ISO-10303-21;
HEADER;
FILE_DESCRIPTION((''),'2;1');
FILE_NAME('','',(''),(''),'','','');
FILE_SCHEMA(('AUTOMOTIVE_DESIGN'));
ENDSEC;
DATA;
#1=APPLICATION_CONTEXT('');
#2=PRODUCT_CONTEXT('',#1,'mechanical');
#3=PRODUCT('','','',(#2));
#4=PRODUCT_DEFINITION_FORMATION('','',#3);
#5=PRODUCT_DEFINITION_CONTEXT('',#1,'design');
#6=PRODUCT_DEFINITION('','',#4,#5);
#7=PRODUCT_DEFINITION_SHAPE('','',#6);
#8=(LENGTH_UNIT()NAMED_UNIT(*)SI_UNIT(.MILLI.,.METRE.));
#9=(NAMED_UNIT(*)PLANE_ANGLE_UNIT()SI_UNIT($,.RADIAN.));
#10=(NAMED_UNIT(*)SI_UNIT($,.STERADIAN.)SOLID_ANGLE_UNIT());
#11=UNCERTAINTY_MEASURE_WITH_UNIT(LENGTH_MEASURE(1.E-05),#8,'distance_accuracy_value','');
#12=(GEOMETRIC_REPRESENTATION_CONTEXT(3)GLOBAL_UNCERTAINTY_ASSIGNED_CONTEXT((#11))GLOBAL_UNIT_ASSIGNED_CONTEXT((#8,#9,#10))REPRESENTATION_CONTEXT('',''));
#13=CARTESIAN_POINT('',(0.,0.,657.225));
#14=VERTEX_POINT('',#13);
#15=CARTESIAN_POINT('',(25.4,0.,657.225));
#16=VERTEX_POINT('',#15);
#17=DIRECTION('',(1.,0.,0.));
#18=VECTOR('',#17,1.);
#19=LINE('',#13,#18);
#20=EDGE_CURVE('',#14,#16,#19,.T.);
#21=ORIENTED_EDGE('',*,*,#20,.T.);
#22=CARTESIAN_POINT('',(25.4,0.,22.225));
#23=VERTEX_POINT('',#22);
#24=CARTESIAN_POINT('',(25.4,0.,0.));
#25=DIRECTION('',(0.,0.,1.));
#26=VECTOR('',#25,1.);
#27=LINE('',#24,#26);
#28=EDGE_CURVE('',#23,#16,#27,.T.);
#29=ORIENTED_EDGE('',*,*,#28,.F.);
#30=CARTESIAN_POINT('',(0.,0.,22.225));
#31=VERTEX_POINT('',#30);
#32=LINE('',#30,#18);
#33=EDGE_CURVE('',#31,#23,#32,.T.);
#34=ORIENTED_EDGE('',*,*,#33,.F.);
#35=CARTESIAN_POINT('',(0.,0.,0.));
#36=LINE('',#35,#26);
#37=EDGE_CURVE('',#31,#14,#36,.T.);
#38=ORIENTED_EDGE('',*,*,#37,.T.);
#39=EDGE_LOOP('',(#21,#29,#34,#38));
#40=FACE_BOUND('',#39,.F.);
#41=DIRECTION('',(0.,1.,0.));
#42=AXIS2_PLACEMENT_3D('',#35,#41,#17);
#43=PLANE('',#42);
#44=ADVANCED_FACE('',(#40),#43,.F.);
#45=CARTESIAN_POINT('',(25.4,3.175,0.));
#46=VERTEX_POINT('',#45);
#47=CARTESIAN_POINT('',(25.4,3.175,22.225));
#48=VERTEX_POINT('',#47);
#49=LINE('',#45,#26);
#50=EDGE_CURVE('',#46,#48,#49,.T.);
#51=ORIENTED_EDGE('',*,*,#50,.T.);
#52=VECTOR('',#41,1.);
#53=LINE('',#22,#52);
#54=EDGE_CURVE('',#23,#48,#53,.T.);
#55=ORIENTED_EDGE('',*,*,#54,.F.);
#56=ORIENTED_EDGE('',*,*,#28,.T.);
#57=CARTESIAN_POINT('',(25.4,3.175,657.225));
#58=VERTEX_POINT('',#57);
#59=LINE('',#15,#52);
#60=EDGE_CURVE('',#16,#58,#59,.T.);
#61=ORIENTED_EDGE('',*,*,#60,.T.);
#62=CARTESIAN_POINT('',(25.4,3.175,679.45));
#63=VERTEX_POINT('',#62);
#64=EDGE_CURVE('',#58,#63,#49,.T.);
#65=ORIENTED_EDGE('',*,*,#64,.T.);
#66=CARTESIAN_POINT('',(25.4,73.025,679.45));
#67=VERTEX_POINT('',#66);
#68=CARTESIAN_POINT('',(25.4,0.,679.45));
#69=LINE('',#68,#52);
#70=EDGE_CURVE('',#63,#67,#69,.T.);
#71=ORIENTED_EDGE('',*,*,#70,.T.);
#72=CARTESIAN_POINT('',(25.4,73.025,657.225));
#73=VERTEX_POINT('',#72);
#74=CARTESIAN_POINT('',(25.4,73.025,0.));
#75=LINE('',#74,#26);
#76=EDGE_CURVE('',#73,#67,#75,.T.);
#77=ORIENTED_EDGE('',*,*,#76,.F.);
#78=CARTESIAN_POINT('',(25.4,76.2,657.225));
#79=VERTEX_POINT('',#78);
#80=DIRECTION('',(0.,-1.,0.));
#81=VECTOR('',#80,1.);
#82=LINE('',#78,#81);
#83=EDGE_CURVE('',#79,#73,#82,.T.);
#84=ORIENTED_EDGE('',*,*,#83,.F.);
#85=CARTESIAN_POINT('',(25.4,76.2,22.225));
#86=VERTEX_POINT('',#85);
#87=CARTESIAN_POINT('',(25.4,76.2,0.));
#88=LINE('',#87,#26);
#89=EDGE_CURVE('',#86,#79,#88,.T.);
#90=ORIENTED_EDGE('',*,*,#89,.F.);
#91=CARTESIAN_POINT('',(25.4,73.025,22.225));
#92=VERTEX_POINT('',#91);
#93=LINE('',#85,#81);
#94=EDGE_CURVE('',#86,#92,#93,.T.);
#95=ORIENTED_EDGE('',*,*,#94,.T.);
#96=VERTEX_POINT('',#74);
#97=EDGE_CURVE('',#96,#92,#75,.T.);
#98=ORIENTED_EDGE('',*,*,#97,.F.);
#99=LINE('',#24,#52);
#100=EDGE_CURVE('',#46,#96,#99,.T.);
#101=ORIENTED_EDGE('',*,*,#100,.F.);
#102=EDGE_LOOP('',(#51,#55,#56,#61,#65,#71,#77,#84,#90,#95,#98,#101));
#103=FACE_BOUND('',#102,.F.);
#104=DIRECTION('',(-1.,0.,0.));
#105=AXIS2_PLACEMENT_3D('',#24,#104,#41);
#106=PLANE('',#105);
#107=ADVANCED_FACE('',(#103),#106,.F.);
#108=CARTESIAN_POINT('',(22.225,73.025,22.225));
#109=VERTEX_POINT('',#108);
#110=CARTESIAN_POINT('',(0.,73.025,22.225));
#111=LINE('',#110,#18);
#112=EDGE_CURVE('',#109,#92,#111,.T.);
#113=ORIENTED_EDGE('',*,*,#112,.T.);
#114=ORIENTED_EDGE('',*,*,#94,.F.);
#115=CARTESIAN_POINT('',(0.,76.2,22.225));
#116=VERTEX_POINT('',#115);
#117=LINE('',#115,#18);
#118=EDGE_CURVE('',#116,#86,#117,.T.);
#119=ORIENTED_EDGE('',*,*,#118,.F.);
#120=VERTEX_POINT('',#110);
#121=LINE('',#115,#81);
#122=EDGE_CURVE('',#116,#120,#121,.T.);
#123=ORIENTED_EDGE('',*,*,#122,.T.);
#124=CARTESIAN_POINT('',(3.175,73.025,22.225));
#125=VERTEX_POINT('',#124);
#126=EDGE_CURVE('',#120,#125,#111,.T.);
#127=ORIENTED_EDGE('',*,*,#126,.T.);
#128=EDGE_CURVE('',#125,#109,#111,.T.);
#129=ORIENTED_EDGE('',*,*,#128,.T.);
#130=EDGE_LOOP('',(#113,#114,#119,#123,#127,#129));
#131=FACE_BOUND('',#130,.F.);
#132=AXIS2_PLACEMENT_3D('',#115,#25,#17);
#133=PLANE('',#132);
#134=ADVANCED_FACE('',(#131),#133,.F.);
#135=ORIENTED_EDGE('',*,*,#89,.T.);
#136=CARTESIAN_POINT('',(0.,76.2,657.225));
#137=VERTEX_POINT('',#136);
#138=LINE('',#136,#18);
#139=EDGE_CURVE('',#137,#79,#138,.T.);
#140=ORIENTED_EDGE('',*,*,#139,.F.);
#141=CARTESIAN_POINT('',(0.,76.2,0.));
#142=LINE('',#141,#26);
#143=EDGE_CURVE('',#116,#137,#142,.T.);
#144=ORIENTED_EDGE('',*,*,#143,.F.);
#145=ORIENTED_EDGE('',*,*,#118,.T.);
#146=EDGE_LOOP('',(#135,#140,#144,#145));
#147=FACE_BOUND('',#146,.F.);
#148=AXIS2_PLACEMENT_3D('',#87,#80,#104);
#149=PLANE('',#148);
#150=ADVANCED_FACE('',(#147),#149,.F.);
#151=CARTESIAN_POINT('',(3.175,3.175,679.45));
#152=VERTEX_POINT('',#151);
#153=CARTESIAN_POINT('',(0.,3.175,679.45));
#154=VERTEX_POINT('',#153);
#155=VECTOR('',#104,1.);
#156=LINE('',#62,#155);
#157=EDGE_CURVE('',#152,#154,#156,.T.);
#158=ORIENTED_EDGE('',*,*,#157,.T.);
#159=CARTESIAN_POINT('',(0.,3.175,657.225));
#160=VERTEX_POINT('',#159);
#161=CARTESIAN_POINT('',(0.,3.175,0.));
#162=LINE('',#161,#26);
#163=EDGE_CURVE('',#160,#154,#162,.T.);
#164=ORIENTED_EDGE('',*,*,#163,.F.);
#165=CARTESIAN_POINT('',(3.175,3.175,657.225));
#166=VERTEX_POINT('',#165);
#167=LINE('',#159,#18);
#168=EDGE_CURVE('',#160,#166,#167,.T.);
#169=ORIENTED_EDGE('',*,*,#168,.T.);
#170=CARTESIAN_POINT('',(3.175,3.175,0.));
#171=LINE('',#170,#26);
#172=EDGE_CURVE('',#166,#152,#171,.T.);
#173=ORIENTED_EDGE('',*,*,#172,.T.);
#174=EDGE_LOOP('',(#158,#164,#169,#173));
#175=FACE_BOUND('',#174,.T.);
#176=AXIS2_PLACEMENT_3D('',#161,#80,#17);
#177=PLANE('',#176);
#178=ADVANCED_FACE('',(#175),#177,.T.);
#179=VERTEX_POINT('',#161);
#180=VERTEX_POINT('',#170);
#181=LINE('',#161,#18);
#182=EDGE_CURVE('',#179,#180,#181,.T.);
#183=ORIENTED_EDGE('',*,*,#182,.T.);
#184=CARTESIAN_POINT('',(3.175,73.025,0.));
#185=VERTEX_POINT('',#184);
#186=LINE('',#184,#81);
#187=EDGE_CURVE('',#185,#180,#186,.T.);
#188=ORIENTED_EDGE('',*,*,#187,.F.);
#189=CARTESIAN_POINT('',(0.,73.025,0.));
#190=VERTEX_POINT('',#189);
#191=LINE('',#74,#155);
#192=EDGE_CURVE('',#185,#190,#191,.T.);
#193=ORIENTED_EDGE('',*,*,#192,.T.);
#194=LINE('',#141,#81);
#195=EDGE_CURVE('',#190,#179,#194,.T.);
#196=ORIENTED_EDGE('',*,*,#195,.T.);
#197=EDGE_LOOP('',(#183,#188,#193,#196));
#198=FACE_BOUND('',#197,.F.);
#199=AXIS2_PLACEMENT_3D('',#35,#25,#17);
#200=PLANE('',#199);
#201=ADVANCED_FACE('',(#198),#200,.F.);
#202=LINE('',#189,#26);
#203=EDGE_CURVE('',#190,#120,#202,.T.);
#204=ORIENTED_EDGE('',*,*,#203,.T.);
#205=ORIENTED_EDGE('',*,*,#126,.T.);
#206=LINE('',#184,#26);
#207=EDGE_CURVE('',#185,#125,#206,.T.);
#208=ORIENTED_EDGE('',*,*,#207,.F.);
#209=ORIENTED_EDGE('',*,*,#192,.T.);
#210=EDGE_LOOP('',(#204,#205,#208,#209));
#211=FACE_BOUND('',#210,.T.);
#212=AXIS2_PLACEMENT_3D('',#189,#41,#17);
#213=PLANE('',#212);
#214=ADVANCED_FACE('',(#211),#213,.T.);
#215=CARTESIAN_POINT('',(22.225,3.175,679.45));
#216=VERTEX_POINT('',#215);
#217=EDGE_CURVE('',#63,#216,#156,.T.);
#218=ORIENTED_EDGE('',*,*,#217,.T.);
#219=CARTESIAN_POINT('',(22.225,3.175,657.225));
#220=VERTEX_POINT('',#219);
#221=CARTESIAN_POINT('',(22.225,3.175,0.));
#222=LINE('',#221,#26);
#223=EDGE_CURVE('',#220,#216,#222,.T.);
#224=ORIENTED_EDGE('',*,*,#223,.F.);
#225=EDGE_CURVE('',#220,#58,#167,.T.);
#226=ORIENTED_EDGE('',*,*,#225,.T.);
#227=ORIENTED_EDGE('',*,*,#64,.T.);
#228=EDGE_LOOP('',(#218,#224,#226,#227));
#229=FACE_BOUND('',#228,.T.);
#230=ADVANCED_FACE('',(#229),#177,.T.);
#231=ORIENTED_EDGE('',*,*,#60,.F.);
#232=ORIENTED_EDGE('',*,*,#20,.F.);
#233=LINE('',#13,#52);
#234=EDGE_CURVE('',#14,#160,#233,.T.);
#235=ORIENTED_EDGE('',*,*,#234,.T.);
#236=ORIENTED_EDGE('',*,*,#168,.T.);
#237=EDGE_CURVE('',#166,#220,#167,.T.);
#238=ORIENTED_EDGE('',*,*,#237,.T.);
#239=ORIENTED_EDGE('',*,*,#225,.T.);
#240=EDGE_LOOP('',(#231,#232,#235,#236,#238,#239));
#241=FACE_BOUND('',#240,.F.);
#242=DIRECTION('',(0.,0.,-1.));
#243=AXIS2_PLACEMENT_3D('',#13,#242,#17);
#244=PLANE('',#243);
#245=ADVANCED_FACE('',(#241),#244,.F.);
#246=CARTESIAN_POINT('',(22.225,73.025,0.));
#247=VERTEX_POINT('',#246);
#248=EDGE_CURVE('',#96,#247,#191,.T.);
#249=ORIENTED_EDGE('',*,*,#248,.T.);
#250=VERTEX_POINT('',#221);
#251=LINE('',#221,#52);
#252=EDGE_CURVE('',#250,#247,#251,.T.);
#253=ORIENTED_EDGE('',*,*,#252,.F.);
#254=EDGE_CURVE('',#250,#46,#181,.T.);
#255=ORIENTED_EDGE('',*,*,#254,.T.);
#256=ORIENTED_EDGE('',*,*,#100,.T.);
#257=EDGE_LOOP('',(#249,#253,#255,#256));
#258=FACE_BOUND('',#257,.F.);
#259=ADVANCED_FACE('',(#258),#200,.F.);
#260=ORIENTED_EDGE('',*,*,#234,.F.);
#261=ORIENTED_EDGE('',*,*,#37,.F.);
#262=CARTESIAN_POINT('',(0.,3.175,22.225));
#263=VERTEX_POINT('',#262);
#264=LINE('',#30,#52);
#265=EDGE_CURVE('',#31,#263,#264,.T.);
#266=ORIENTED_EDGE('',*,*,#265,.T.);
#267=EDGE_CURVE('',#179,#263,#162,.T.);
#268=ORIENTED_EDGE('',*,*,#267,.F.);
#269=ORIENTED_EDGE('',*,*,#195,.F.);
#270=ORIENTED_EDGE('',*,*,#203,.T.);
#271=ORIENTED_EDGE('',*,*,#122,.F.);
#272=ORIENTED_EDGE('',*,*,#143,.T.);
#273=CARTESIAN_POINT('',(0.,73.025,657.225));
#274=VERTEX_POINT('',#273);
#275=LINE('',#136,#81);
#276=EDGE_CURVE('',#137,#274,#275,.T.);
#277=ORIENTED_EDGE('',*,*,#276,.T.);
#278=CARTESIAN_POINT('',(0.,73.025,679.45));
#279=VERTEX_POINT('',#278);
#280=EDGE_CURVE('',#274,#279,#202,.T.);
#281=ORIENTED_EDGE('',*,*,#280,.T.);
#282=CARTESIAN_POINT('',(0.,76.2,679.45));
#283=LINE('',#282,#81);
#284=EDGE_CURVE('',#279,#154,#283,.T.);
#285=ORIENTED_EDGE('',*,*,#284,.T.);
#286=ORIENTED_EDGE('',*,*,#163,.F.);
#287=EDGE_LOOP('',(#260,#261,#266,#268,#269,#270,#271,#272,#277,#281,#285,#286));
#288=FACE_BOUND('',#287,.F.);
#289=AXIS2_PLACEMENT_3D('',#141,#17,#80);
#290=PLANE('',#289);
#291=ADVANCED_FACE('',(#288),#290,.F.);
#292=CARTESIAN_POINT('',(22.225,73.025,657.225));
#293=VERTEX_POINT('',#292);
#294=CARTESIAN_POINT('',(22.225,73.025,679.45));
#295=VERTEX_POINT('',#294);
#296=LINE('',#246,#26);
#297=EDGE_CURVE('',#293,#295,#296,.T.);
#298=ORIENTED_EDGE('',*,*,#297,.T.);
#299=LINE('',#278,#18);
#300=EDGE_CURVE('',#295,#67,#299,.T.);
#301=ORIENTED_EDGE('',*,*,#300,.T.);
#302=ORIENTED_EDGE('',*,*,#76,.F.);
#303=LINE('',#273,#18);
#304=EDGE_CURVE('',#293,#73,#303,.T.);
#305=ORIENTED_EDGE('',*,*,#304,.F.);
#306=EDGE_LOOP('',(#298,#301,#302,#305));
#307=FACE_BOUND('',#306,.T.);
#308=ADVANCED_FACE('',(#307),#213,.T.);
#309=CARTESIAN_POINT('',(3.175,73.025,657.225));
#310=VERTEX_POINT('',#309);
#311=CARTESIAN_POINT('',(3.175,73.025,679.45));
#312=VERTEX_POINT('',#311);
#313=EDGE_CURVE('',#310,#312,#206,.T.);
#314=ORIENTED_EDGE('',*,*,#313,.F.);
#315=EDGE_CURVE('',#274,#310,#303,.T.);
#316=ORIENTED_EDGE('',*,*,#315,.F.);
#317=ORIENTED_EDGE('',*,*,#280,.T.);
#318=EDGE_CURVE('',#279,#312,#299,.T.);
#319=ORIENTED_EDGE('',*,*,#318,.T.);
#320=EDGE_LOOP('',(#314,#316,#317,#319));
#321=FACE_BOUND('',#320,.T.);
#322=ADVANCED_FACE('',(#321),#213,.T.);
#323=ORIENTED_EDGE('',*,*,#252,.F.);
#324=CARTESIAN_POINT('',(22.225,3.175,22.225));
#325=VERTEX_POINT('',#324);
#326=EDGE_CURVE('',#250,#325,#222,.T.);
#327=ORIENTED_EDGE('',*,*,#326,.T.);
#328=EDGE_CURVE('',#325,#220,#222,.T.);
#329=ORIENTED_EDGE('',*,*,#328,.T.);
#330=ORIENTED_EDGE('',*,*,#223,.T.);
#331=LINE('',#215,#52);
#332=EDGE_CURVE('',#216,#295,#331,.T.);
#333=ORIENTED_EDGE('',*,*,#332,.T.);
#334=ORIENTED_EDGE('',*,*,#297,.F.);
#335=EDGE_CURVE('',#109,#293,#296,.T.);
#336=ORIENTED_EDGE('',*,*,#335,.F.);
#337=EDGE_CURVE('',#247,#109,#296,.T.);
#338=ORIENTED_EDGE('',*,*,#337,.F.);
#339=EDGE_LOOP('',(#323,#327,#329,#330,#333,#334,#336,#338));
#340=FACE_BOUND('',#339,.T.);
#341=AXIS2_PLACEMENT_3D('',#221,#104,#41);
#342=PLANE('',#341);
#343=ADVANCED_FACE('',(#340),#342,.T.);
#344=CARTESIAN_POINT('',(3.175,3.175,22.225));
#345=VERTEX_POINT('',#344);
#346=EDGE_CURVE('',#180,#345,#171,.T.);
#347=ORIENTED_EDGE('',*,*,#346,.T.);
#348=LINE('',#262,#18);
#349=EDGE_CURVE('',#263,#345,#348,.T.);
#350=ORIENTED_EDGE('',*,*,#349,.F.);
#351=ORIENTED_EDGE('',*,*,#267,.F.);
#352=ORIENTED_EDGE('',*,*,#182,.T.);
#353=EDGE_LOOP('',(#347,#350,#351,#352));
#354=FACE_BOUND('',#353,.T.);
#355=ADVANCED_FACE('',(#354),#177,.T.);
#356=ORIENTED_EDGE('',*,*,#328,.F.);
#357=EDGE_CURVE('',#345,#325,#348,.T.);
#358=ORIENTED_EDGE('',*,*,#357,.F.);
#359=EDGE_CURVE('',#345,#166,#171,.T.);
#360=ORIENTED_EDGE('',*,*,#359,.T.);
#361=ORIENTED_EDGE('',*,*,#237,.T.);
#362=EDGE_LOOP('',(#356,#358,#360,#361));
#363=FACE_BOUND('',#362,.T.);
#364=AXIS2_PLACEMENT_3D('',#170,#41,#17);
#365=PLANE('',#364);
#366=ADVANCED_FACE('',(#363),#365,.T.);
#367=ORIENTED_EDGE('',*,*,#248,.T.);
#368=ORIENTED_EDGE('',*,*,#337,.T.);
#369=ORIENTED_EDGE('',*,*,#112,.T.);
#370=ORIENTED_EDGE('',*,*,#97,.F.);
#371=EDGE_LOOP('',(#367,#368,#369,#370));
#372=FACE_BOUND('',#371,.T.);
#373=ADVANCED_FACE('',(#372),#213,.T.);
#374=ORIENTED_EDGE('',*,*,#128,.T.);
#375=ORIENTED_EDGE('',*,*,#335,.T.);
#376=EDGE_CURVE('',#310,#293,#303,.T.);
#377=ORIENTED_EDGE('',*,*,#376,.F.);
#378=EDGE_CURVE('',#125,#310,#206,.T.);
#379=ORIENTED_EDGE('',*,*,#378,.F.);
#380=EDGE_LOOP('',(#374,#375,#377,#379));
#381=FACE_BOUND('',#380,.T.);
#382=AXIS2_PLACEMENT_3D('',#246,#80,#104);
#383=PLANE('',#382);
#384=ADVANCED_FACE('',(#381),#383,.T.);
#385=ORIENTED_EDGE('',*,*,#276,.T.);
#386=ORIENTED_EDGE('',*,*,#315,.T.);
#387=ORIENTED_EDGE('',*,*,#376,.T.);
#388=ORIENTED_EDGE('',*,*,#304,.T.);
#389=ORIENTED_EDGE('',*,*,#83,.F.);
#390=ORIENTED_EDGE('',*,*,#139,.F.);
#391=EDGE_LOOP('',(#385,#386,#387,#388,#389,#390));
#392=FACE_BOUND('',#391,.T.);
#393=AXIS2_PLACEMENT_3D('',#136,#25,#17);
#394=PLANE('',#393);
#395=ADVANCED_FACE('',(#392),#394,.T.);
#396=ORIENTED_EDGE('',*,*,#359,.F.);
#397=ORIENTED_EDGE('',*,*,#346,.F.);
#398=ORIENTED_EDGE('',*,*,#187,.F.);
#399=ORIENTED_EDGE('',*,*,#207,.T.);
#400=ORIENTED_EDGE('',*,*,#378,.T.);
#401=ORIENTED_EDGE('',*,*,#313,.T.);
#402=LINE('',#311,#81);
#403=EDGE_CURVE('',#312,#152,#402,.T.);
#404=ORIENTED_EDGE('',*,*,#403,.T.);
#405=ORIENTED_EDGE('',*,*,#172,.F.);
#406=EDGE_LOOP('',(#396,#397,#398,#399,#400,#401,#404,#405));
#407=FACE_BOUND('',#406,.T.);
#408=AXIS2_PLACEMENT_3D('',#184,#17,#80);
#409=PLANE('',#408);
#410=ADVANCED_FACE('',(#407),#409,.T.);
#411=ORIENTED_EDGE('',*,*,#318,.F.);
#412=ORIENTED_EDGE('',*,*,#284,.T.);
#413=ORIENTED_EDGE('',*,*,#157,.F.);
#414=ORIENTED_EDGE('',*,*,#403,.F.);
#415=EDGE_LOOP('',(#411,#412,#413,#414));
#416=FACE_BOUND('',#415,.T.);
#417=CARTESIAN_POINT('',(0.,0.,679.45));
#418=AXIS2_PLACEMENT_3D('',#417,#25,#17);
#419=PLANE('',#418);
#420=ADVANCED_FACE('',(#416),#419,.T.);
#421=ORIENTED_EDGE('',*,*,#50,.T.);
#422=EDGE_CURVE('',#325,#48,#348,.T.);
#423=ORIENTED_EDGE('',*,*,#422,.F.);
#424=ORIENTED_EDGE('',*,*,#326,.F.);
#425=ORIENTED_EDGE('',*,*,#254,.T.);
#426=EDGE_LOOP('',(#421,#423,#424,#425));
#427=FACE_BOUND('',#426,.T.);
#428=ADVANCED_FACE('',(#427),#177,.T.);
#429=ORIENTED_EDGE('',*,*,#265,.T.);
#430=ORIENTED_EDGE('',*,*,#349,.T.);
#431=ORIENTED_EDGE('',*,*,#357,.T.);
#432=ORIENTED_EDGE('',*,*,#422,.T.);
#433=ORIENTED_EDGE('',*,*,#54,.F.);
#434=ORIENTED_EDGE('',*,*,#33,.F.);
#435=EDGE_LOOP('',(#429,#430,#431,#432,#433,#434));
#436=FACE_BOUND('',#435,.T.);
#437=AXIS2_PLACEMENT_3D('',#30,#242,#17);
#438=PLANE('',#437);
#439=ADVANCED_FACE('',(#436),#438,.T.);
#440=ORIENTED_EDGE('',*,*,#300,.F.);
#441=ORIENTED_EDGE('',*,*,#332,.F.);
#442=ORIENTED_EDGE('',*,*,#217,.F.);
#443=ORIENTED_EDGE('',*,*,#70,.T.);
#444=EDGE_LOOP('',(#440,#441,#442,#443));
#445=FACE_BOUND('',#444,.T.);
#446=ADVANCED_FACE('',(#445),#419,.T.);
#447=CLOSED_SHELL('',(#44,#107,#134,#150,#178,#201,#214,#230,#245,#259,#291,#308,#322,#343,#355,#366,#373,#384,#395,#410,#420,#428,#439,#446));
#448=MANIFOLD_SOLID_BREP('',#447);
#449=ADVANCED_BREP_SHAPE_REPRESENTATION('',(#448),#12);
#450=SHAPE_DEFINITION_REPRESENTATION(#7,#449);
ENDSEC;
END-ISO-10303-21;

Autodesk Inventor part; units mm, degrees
ref_plane "YZ Plane" through (0, 0, 0) normal (1, 0, 0) x (0, 1, 0)
ref_plane "XZ Plane" through (0, 0, 0) normal (0, 1, 0) x (-1, 0, 0)
ref_plane "XY Plane" through (0, 0, 0) normal (0, 0, 1) x (1, 0, 0)
sketch "Sketch1" plane through (0, 0, 0) normal (0, 0, 1) x (1, 0, 0)
  line L0 (0, 0) -> (25.4, 0)
  line L1 (25.4, 0) -> (25.4, 76.2)
  line L2 (25.4, 76.2) -> (0, 76.2)
  line L3 (0, 76.2) -> (0, 0)
  line L4 (3.175, 3.175) -> (22.225, 3.175)
  line L5 (22.225, 3.175) -> (22.225, 73.025)
  line L6 (22.225, 73.025) -> (3.175, 73.025)
  line L7 (3.175, 73.025) -> (3.175, 3.175)
  dimension "d0" = 25.4
  dimension "d1" = 76.2
  dimension "d2" = 3.175
  dimension "d3" = 3.175
  dimension "d4" = 3.175
  dimension "d5" = 3.175
extrude "Extrusion1" add sketch "Sketch1" along normal blind 679.45
sketch "Sketch2" plane through (0, 76.2, 0) normal (0, 1, 0) x (1, 0, 0)
  line L0 (0, -679.45) -> (25.4, -679.45) projected
  line L1 (25.4, 0) -> (25.4, -679.45) projected
  line L2 (25.4, 0) -> (0, 0) projected
  line L3 (0, 0) -> (0, -679.45) projected
  line L4 (0, -22.225) -> (25.4, -22.225)
  line L5 (0, -657.225) -> (25.4, -657.225)
  dimension "d8" = 22.225
  dimension "d9" = 22.225
extrude "Extrusion2" cut sketch "Sketch2" against normal blind 3.175 contours L3 L5 L1 L0 | L3 L2 L1 L4
sketch "Sketch3" plane through (0, 0, 0) normal (0, -1, 0) x (1, 0, 0)
  line L0 (25.4, 679.45) -> (0, 679.45) projected
  line L1 (0, 0) -> (0, 679.45) projected
  line L2 (0, 0) -> (25.4, 0) projected
  line L3 (25.4, 0) -> (25.4, 679.45) projected
  line L4 (0, 657.225) -> (25.4, 657.225)
  line L5 (0, 22.225) -> (25.4, 22.225)
  dimension "d12" = 22.225
  dimension "d13" = 22.225
extrude "Extrusion3" cut sketch "Sketch3" against normal blind 3.175 contours L3 L4 L1 L0 | L3 L2 L1 L5
equation "\"d3\" = d2"
equation "\"d4\" = d3"
equation "\"d5\" = d4"
equation "\"d9\" = d8"
equation "\"d13\" = d12"
properties part number "frame box 1 by 3"
